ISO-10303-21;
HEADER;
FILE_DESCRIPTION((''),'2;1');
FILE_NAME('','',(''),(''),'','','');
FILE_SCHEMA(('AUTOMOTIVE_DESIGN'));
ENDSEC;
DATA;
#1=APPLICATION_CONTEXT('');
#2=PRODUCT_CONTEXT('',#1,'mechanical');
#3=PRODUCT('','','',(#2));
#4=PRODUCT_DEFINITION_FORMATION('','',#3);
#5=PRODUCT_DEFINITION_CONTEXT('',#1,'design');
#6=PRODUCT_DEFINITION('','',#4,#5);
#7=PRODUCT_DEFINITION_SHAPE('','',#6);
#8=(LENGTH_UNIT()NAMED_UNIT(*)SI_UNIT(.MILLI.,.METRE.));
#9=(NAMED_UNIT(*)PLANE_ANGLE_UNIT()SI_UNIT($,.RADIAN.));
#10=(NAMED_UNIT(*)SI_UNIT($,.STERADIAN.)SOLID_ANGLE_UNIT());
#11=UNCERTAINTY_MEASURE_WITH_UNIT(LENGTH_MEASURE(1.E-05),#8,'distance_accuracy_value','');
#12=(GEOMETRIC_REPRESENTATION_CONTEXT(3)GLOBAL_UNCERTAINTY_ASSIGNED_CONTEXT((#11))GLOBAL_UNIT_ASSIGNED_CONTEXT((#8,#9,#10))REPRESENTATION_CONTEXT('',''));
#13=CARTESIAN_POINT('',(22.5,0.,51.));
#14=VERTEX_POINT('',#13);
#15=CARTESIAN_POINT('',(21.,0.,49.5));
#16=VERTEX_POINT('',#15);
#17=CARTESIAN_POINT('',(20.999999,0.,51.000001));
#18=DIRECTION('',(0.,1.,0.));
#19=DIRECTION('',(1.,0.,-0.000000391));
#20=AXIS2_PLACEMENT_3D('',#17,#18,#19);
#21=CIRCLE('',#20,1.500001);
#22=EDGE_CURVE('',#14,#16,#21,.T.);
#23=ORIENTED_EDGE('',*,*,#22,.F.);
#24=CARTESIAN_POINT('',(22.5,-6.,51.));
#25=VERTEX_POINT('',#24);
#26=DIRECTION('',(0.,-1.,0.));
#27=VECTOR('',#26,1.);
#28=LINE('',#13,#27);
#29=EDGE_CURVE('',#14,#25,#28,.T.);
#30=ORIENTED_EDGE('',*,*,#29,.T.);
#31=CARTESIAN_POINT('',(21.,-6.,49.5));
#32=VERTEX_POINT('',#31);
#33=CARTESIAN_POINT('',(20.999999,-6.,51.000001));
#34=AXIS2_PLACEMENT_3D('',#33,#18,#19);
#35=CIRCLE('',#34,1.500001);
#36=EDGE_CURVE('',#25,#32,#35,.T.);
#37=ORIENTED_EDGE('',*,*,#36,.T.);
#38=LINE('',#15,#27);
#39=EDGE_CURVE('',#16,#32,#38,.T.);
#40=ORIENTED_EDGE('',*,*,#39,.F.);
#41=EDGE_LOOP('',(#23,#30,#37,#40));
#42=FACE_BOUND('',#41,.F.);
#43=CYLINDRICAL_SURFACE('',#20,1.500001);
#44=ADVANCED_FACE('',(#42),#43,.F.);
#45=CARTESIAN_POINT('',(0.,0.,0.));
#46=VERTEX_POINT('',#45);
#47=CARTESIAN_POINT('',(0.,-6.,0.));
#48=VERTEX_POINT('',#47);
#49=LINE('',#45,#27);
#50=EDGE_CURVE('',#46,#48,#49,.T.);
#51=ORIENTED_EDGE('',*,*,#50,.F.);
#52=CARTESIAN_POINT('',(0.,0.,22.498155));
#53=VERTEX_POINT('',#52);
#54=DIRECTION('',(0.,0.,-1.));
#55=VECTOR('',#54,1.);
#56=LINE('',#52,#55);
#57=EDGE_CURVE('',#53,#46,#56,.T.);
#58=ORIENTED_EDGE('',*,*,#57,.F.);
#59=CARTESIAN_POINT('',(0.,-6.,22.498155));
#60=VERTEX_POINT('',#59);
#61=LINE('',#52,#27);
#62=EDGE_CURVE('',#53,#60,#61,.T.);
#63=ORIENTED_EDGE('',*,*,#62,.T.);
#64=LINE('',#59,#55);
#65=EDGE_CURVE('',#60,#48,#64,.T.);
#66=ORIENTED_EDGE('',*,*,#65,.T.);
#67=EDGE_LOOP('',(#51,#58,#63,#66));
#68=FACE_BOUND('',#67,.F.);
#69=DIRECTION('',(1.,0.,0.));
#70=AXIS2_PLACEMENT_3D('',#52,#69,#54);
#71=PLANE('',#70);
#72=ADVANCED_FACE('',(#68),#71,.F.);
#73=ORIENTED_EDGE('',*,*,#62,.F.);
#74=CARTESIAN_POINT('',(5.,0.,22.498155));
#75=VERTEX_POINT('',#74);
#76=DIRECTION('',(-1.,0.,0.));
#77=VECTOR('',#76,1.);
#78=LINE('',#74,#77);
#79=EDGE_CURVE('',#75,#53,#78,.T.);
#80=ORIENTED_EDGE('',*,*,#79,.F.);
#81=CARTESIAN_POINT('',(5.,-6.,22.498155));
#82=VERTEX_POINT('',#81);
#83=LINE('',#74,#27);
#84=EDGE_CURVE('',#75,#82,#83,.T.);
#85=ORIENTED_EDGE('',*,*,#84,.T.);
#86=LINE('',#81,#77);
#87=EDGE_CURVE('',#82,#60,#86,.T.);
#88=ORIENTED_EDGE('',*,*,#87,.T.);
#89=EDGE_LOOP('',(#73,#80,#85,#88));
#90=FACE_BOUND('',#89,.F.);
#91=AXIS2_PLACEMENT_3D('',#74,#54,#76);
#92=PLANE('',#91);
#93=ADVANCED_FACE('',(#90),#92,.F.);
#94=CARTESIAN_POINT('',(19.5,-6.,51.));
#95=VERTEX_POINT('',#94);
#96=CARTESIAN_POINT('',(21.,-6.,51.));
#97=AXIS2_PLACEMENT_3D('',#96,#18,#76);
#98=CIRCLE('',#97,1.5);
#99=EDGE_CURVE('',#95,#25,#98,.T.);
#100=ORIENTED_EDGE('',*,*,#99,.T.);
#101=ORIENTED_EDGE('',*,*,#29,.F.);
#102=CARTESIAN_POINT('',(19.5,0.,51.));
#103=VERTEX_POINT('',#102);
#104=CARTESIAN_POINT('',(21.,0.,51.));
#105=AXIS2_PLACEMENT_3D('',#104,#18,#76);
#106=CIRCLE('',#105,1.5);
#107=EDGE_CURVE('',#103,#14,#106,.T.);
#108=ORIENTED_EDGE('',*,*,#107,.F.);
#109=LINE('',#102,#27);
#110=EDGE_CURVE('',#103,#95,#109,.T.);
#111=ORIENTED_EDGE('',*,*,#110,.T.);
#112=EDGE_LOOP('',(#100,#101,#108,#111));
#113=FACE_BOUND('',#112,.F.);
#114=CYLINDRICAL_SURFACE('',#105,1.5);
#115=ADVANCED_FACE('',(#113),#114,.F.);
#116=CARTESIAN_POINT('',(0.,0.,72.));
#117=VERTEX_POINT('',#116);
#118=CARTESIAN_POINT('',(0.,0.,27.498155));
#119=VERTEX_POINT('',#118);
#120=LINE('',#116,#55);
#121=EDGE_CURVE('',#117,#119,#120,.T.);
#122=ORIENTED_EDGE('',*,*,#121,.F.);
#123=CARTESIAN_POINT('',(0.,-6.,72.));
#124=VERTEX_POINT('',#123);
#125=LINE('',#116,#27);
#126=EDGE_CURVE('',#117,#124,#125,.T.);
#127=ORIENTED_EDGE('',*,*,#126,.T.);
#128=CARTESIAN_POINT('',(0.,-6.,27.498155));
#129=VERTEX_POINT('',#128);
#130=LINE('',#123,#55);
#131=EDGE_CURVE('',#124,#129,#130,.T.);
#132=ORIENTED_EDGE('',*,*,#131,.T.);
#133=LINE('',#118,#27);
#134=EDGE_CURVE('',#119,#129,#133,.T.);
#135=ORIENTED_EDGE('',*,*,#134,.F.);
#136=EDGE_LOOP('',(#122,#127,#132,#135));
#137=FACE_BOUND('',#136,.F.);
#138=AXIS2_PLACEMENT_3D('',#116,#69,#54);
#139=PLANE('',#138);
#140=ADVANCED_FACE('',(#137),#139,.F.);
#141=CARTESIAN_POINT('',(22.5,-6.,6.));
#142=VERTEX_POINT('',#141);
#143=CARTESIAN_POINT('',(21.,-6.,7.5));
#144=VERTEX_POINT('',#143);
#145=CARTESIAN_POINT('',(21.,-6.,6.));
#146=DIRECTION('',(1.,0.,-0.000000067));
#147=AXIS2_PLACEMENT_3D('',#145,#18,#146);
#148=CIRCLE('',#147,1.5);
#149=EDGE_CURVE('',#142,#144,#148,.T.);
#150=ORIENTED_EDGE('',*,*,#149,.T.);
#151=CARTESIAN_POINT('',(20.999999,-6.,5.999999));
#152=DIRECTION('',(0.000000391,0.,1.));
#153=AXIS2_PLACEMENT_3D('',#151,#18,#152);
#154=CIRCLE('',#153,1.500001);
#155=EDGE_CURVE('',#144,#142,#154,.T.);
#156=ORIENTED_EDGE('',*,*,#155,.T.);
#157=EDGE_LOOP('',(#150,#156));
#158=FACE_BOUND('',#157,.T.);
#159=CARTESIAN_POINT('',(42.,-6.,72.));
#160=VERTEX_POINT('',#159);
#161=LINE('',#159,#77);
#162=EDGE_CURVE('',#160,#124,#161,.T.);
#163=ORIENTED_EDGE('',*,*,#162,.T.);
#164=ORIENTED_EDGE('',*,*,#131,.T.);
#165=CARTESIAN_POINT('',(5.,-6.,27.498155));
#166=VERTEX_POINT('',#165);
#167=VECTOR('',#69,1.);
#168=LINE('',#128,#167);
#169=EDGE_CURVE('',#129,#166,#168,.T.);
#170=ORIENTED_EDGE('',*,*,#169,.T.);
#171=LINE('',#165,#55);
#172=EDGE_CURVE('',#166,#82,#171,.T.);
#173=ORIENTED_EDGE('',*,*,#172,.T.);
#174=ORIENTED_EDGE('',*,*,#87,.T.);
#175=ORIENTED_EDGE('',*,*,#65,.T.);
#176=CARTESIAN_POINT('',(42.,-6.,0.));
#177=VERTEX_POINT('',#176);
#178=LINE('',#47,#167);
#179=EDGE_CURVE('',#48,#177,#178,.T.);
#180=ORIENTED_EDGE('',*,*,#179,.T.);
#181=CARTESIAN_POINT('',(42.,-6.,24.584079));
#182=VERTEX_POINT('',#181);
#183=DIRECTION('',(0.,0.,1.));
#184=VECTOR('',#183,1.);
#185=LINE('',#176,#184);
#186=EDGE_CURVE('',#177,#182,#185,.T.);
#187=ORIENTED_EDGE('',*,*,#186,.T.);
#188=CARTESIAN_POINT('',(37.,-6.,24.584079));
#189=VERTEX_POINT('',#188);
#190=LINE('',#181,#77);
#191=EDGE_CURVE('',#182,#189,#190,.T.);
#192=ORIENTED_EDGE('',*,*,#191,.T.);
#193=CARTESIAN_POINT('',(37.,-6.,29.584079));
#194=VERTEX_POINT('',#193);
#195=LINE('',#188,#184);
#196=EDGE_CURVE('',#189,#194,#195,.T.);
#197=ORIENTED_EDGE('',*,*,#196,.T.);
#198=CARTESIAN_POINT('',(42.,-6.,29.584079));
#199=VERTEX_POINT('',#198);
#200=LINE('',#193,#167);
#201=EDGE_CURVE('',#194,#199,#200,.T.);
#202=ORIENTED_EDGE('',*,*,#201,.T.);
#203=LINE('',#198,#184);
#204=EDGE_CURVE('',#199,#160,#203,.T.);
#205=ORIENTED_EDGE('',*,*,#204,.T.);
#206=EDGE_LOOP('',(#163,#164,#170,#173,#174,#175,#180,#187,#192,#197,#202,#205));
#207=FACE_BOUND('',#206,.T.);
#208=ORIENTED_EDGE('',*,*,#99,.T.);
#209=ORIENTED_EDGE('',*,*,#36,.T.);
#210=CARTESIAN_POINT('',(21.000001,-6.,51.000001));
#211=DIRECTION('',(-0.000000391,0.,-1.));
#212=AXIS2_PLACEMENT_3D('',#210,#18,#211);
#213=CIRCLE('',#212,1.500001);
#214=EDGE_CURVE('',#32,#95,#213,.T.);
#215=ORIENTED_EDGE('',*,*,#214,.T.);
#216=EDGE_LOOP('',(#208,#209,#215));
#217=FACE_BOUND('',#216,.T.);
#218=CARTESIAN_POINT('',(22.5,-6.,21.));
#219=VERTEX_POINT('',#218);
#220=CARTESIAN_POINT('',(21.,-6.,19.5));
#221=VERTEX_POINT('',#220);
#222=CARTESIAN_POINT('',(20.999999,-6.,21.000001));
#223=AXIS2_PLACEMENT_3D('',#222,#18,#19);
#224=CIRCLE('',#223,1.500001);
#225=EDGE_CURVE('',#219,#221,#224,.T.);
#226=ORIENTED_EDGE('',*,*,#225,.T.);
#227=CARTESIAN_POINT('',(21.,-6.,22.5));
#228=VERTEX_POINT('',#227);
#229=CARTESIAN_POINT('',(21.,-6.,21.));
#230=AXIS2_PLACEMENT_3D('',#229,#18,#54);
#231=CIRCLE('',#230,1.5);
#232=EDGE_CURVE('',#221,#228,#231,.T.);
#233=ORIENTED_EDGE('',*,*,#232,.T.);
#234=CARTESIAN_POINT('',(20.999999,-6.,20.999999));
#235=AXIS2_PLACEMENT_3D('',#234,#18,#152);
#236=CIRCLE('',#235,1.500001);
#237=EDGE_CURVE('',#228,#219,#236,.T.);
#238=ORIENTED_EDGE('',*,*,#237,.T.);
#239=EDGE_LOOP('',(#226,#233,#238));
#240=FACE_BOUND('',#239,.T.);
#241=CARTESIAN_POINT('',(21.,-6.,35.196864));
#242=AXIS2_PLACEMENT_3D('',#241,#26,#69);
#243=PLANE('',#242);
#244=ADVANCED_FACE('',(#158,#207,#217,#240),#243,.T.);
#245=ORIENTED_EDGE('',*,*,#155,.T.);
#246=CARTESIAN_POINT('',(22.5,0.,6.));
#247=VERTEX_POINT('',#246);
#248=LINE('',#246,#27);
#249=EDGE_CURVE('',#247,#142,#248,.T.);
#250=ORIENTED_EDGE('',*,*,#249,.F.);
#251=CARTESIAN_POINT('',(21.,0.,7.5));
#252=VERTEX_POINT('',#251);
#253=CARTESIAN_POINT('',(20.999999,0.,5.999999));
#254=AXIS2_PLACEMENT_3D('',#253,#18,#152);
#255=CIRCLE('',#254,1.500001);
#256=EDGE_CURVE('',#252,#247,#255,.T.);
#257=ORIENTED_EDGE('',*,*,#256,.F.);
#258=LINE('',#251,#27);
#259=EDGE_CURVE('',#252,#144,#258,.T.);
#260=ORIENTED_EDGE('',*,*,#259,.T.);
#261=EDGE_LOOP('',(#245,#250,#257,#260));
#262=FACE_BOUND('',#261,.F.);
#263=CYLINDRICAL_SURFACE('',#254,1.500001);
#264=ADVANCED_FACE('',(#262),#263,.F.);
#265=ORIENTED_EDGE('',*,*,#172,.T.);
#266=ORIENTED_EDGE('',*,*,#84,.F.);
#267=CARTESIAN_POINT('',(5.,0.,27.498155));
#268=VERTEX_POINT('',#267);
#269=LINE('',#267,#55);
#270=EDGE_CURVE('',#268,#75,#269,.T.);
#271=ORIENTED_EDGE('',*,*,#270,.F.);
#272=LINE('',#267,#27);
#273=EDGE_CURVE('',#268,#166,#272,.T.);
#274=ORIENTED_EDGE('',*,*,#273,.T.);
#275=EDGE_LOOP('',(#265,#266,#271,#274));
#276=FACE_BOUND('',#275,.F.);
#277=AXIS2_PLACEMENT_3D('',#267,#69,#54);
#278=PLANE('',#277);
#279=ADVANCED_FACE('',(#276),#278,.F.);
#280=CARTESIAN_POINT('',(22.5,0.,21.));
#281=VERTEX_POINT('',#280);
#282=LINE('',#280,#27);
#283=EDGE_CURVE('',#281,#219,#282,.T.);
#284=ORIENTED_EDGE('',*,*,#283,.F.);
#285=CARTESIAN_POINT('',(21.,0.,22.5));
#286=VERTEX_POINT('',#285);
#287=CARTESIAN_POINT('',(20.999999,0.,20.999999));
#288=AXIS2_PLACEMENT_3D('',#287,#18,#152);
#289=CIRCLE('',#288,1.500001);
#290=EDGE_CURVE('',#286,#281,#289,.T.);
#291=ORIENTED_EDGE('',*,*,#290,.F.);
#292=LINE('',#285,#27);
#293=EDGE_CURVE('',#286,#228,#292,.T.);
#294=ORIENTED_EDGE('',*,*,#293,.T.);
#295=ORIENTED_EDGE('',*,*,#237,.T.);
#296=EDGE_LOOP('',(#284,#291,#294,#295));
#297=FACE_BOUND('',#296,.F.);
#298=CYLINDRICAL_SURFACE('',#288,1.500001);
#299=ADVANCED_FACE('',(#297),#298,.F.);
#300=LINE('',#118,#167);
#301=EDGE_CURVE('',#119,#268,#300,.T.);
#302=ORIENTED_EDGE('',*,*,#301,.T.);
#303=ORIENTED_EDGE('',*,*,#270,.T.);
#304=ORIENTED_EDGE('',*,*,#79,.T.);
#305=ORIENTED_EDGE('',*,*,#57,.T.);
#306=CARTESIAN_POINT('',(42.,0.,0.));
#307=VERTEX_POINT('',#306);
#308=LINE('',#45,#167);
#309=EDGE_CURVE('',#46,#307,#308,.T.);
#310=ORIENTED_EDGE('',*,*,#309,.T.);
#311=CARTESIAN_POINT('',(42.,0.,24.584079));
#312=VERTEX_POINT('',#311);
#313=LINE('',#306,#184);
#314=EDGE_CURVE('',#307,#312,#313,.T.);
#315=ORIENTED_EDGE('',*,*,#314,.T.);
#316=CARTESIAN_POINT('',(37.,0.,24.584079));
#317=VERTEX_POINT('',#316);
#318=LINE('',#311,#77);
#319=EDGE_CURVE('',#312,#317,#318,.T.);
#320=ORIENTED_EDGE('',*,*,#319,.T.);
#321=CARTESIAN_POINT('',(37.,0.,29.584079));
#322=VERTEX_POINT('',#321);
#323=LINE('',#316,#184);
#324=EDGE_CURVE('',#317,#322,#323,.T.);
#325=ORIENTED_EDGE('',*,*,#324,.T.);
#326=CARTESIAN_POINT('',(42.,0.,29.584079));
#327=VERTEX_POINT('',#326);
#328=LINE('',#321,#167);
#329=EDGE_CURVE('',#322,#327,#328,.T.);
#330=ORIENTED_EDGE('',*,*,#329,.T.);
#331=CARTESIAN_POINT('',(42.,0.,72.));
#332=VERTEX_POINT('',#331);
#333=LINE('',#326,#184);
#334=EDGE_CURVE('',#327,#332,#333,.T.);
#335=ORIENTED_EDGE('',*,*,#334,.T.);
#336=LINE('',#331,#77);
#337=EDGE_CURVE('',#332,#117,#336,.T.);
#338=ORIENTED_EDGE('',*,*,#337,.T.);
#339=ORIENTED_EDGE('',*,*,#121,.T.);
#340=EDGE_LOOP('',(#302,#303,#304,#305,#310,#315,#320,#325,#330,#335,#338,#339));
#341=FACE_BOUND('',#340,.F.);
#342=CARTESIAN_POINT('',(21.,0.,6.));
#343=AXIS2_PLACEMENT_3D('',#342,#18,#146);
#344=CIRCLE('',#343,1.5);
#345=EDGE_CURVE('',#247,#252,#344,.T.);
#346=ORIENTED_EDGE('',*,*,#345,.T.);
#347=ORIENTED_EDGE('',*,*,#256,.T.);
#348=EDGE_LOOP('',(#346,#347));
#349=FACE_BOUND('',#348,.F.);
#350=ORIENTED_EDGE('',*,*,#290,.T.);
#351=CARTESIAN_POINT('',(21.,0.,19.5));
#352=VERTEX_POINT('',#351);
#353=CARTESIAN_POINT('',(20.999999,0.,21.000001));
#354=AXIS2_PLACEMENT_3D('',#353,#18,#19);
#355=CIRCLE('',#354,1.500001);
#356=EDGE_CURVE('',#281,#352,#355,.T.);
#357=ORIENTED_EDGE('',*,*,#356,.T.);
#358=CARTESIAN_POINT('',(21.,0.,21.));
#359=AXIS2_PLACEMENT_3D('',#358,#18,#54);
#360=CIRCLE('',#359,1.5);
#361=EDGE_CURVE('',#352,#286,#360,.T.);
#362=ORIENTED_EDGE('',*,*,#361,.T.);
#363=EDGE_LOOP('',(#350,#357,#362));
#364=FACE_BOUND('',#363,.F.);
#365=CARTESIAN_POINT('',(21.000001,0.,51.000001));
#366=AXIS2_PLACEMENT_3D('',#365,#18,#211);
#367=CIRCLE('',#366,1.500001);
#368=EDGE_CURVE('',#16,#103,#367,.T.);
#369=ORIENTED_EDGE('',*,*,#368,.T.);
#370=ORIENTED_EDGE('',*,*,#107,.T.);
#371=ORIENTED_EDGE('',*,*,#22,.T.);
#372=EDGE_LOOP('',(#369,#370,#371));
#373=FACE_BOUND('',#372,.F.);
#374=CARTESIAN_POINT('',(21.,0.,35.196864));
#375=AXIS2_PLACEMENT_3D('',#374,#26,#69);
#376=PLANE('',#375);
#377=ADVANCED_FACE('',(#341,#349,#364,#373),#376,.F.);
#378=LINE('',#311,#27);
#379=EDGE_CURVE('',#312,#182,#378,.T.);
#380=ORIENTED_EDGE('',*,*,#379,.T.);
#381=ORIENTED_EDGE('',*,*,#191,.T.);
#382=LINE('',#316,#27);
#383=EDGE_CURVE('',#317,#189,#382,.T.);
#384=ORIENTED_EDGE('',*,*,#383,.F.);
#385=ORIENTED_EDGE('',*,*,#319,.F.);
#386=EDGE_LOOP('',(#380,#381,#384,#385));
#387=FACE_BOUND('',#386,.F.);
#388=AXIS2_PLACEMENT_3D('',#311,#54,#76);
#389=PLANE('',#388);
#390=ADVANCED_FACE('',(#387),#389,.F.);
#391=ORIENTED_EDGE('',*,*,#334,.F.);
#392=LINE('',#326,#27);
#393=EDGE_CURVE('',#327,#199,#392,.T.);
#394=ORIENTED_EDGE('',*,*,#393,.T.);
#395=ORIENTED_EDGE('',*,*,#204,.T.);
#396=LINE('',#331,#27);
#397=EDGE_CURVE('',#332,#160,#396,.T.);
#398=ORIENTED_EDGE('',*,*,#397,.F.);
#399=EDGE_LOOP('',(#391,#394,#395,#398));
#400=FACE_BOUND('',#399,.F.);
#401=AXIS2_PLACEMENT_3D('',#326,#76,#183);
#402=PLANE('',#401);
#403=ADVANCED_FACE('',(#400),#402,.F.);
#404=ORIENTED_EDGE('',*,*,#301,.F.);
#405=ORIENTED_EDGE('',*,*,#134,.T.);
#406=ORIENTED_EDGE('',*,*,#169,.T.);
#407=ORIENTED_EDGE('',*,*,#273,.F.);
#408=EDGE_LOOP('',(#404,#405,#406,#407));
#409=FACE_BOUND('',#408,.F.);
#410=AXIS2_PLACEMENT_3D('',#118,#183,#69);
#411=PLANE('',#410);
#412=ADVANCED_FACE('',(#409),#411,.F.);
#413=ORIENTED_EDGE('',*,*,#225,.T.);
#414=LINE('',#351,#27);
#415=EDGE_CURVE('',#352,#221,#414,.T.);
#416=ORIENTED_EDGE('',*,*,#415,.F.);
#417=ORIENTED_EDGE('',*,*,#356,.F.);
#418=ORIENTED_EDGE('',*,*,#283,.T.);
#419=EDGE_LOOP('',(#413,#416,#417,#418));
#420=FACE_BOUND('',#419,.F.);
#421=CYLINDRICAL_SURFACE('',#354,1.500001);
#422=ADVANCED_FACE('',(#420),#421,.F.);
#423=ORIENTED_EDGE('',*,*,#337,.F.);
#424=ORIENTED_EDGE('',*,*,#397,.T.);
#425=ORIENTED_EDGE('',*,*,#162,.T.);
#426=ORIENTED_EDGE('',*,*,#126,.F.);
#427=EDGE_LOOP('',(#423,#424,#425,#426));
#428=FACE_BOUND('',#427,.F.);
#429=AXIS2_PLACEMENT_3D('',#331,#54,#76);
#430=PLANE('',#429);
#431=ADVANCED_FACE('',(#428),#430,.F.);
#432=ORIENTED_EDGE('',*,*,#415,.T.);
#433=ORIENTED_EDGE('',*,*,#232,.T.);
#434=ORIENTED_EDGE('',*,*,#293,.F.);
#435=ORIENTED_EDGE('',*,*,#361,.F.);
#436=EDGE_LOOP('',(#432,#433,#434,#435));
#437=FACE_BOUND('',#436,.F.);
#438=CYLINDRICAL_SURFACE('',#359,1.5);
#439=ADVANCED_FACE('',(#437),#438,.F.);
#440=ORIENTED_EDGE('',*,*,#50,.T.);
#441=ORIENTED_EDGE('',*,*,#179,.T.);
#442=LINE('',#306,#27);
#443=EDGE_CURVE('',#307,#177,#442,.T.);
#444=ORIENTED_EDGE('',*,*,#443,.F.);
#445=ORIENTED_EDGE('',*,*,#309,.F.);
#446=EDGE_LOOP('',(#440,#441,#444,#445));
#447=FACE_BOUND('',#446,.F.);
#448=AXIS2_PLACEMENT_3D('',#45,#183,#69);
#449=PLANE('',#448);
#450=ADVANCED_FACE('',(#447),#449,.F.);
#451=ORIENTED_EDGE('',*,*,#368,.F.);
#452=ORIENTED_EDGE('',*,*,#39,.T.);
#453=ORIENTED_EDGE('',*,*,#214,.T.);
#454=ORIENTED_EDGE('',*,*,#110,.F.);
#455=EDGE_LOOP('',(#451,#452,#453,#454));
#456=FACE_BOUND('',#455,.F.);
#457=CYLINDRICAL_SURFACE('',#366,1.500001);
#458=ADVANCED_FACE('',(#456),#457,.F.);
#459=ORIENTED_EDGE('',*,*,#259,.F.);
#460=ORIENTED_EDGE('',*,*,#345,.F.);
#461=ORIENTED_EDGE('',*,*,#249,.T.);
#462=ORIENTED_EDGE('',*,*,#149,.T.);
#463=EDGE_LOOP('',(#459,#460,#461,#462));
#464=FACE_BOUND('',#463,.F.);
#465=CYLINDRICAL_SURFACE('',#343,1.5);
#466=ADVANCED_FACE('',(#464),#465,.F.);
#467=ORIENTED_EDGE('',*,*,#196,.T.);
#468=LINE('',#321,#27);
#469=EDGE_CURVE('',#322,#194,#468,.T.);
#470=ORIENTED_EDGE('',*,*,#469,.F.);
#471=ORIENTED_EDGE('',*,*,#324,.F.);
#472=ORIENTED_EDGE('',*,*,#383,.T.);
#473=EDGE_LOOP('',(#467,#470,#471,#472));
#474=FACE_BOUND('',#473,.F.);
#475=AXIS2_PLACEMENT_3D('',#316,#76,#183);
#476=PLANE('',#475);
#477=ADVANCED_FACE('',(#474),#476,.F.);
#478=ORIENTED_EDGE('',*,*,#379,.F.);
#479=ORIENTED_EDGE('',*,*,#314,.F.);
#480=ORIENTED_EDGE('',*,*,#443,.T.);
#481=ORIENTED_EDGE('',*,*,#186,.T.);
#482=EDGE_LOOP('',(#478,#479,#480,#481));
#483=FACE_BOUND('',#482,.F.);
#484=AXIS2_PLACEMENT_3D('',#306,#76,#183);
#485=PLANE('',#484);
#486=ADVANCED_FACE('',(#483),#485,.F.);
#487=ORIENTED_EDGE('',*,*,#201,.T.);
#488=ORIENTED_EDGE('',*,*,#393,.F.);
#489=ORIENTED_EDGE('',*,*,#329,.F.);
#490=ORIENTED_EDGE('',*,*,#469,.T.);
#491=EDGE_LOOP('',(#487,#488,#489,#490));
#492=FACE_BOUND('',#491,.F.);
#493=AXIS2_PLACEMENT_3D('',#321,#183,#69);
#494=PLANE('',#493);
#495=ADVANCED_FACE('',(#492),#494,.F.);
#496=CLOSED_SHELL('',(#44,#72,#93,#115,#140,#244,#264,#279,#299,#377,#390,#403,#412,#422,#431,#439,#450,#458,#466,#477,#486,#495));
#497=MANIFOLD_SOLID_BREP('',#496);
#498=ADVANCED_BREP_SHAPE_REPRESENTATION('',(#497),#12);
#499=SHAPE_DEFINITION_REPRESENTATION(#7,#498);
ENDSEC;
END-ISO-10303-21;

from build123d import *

# Parameters (mm, degrees)
F1_DEPTH = 6


with BuildPart() as f1:
    # F0 (on Front) → F1 (new body)
    with BuildSketch(Plane.XZ):
        Polygon((0, 22.498155), (0, 0), (42, 0), (42, 24.584079), (37, 24.584079), (37, 29.584079), (42, 29.584079), (42, 72), (0, 72), (0, 51), (0, 33.329517), (0, 27.498155), (5, 27.498155), (5, 22.498155), align=None)
        with BuildLine():
            ThreePointArc((22.5, 6), (19.93934, 4.93934), (21, 7.5))
            ThreePointArc((21, 7.5), (22.06066, 7.06066), (22.5, 6))
        make_face(mode=Mode.SUBTRACT)
        with BuildLine():
            ThreePointArc((21, 19.5), (19.5, 21), (21, 22.5))
            ThreePointArc((21, 22.5), (22.06066, 22.06066), (22.5, 21))
            ThreePointArc((22.5, 21), (22.06066, 19.93934), (21, 19.5))
        make_face(mode=Mode.SUBTRACT)
        with BuildLine():
            ThreePointArc((21, 49.5), (19.93934, 49.93934), (19.5, 51))
            ThreePointArc((19.5, 51), (21, 52.5), (22.5, 51))
            ThreePointArc((22.5, 51), (22.06066, 49.93934), (21, 49.5))
        make_face(mode=Mode.SUBTRACT)
    extrude(amount=F1_DEPTH)


solid = f1.part
